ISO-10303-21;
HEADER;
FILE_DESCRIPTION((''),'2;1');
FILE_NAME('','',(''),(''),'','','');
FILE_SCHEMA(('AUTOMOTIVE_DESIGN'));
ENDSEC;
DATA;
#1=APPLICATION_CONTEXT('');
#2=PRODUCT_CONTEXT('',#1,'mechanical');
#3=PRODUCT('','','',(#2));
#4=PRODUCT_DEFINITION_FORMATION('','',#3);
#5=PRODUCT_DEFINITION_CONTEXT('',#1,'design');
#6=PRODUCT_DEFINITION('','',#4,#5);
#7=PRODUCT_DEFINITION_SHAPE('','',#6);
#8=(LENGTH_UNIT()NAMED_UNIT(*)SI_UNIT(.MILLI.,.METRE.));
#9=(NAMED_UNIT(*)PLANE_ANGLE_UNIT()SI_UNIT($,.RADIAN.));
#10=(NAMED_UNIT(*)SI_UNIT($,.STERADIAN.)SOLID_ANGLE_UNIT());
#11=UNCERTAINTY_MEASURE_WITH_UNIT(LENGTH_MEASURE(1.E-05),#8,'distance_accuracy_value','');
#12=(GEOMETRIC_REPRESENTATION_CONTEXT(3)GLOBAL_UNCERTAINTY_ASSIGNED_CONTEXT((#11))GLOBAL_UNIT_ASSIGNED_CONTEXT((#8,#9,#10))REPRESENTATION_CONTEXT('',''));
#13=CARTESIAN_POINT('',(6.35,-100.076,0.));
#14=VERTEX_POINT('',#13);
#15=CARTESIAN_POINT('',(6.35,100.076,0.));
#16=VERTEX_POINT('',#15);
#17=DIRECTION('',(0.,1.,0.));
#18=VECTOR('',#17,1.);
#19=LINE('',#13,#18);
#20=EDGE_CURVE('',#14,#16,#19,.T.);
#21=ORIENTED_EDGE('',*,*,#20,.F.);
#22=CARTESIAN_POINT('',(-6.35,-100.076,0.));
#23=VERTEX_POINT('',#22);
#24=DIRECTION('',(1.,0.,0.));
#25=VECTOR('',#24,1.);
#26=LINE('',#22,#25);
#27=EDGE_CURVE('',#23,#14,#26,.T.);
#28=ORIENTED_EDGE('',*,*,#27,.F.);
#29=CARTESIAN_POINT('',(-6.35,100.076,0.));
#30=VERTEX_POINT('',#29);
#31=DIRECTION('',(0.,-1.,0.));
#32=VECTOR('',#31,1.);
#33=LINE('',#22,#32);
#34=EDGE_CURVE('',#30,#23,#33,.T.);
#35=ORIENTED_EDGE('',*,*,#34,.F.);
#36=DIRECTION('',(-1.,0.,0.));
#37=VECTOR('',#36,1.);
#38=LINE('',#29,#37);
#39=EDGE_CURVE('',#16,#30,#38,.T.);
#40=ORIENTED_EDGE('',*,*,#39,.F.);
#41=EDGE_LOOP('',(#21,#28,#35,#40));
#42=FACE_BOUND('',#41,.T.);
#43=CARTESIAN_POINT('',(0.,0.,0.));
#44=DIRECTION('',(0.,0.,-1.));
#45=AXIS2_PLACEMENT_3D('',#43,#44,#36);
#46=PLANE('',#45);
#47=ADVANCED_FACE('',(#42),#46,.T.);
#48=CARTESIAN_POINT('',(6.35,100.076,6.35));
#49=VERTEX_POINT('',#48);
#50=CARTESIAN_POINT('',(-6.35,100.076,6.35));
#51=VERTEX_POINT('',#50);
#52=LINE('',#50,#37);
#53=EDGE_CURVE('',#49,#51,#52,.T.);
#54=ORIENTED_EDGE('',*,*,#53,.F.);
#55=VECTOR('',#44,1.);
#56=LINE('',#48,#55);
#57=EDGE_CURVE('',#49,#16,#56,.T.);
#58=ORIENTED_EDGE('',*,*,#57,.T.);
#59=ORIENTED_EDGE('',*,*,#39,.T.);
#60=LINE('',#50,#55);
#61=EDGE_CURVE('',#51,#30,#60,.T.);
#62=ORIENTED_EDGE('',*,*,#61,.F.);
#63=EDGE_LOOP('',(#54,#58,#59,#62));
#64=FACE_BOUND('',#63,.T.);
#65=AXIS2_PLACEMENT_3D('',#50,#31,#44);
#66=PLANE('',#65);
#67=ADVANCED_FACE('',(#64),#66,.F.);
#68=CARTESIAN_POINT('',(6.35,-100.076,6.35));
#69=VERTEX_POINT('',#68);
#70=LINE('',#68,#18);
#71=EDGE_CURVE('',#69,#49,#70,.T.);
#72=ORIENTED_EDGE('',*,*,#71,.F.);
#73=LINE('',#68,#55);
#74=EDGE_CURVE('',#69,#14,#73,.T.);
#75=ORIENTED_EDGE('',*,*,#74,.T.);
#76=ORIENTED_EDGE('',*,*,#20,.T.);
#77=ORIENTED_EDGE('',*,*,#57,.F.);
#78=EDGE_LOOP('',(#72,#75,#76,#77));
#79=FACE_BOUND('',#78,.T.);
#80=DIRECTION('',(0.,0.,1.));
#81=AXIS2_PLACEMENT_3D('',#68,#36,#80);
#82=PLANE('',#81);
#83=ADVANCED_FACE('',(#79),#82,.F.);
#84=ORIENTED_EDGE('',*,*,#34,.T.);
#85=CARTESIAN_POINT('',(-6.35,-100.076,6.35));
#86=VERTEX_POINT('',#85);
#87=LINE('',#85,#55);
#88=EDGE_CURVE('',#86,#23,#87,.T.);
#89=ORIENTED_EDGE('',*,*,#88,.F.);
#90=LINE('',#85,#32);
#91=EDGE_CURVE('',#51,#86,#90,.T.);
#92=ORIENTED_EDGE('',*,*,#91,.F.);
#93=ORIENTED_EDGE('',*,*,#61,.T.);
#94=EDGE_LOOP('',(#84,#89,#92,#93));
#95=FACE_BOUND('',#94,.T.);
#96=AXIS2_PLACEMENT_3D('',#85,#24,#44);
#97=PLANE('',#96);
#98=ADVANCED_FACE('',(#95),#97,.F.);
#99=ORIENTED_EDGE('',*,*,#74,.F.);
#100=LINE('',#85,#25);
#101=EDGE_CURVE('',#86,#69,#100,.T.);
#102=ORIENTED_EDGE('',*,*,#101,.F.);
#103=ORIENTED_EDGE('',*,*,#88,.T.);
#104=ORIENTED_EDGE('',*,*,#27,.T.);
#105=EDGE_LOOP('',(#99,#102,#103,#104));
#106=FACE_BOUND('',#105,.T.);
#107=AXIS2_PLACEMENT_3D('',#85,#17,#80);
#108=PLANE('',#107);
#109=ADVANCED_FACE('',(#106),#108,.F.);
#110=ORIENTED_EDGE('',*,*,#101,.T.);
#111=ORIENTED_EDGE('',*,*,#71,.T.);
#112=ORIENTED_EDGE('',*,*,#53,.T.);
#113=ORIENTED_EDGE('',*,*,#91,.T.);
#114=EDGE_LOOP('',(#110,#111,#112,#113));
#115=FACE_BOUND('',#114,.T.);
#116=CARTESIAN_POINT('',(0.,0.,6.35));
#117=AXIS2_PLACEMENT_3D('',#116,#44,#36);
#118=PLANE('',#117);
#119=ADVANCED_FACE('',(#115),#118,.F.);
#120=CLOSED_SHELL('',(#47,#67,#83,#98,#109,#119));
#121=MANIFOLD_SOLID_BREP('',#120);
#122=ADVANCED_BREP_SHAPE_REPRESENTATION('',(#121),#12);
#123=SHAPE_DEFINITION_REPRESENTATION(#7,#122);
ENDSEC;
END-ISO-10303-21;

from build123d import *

# Parameters (mm, degrees)
SKETCH1_W           = 12.7
SKETCH1_H           = 200.152
BOSS_EXTRUDE1_DEPTH = 6.35


with BuildPart() as part:
    # Sketch1 → Boss-Extrude1 (new body)
    with BuildSketch(Plane.XY):
        Rectangle(SKETCH1_W, SKETCH1_H)
    extrude(amount=BOSS_EXTRUDE1_DEPTH)


solid = part.part
